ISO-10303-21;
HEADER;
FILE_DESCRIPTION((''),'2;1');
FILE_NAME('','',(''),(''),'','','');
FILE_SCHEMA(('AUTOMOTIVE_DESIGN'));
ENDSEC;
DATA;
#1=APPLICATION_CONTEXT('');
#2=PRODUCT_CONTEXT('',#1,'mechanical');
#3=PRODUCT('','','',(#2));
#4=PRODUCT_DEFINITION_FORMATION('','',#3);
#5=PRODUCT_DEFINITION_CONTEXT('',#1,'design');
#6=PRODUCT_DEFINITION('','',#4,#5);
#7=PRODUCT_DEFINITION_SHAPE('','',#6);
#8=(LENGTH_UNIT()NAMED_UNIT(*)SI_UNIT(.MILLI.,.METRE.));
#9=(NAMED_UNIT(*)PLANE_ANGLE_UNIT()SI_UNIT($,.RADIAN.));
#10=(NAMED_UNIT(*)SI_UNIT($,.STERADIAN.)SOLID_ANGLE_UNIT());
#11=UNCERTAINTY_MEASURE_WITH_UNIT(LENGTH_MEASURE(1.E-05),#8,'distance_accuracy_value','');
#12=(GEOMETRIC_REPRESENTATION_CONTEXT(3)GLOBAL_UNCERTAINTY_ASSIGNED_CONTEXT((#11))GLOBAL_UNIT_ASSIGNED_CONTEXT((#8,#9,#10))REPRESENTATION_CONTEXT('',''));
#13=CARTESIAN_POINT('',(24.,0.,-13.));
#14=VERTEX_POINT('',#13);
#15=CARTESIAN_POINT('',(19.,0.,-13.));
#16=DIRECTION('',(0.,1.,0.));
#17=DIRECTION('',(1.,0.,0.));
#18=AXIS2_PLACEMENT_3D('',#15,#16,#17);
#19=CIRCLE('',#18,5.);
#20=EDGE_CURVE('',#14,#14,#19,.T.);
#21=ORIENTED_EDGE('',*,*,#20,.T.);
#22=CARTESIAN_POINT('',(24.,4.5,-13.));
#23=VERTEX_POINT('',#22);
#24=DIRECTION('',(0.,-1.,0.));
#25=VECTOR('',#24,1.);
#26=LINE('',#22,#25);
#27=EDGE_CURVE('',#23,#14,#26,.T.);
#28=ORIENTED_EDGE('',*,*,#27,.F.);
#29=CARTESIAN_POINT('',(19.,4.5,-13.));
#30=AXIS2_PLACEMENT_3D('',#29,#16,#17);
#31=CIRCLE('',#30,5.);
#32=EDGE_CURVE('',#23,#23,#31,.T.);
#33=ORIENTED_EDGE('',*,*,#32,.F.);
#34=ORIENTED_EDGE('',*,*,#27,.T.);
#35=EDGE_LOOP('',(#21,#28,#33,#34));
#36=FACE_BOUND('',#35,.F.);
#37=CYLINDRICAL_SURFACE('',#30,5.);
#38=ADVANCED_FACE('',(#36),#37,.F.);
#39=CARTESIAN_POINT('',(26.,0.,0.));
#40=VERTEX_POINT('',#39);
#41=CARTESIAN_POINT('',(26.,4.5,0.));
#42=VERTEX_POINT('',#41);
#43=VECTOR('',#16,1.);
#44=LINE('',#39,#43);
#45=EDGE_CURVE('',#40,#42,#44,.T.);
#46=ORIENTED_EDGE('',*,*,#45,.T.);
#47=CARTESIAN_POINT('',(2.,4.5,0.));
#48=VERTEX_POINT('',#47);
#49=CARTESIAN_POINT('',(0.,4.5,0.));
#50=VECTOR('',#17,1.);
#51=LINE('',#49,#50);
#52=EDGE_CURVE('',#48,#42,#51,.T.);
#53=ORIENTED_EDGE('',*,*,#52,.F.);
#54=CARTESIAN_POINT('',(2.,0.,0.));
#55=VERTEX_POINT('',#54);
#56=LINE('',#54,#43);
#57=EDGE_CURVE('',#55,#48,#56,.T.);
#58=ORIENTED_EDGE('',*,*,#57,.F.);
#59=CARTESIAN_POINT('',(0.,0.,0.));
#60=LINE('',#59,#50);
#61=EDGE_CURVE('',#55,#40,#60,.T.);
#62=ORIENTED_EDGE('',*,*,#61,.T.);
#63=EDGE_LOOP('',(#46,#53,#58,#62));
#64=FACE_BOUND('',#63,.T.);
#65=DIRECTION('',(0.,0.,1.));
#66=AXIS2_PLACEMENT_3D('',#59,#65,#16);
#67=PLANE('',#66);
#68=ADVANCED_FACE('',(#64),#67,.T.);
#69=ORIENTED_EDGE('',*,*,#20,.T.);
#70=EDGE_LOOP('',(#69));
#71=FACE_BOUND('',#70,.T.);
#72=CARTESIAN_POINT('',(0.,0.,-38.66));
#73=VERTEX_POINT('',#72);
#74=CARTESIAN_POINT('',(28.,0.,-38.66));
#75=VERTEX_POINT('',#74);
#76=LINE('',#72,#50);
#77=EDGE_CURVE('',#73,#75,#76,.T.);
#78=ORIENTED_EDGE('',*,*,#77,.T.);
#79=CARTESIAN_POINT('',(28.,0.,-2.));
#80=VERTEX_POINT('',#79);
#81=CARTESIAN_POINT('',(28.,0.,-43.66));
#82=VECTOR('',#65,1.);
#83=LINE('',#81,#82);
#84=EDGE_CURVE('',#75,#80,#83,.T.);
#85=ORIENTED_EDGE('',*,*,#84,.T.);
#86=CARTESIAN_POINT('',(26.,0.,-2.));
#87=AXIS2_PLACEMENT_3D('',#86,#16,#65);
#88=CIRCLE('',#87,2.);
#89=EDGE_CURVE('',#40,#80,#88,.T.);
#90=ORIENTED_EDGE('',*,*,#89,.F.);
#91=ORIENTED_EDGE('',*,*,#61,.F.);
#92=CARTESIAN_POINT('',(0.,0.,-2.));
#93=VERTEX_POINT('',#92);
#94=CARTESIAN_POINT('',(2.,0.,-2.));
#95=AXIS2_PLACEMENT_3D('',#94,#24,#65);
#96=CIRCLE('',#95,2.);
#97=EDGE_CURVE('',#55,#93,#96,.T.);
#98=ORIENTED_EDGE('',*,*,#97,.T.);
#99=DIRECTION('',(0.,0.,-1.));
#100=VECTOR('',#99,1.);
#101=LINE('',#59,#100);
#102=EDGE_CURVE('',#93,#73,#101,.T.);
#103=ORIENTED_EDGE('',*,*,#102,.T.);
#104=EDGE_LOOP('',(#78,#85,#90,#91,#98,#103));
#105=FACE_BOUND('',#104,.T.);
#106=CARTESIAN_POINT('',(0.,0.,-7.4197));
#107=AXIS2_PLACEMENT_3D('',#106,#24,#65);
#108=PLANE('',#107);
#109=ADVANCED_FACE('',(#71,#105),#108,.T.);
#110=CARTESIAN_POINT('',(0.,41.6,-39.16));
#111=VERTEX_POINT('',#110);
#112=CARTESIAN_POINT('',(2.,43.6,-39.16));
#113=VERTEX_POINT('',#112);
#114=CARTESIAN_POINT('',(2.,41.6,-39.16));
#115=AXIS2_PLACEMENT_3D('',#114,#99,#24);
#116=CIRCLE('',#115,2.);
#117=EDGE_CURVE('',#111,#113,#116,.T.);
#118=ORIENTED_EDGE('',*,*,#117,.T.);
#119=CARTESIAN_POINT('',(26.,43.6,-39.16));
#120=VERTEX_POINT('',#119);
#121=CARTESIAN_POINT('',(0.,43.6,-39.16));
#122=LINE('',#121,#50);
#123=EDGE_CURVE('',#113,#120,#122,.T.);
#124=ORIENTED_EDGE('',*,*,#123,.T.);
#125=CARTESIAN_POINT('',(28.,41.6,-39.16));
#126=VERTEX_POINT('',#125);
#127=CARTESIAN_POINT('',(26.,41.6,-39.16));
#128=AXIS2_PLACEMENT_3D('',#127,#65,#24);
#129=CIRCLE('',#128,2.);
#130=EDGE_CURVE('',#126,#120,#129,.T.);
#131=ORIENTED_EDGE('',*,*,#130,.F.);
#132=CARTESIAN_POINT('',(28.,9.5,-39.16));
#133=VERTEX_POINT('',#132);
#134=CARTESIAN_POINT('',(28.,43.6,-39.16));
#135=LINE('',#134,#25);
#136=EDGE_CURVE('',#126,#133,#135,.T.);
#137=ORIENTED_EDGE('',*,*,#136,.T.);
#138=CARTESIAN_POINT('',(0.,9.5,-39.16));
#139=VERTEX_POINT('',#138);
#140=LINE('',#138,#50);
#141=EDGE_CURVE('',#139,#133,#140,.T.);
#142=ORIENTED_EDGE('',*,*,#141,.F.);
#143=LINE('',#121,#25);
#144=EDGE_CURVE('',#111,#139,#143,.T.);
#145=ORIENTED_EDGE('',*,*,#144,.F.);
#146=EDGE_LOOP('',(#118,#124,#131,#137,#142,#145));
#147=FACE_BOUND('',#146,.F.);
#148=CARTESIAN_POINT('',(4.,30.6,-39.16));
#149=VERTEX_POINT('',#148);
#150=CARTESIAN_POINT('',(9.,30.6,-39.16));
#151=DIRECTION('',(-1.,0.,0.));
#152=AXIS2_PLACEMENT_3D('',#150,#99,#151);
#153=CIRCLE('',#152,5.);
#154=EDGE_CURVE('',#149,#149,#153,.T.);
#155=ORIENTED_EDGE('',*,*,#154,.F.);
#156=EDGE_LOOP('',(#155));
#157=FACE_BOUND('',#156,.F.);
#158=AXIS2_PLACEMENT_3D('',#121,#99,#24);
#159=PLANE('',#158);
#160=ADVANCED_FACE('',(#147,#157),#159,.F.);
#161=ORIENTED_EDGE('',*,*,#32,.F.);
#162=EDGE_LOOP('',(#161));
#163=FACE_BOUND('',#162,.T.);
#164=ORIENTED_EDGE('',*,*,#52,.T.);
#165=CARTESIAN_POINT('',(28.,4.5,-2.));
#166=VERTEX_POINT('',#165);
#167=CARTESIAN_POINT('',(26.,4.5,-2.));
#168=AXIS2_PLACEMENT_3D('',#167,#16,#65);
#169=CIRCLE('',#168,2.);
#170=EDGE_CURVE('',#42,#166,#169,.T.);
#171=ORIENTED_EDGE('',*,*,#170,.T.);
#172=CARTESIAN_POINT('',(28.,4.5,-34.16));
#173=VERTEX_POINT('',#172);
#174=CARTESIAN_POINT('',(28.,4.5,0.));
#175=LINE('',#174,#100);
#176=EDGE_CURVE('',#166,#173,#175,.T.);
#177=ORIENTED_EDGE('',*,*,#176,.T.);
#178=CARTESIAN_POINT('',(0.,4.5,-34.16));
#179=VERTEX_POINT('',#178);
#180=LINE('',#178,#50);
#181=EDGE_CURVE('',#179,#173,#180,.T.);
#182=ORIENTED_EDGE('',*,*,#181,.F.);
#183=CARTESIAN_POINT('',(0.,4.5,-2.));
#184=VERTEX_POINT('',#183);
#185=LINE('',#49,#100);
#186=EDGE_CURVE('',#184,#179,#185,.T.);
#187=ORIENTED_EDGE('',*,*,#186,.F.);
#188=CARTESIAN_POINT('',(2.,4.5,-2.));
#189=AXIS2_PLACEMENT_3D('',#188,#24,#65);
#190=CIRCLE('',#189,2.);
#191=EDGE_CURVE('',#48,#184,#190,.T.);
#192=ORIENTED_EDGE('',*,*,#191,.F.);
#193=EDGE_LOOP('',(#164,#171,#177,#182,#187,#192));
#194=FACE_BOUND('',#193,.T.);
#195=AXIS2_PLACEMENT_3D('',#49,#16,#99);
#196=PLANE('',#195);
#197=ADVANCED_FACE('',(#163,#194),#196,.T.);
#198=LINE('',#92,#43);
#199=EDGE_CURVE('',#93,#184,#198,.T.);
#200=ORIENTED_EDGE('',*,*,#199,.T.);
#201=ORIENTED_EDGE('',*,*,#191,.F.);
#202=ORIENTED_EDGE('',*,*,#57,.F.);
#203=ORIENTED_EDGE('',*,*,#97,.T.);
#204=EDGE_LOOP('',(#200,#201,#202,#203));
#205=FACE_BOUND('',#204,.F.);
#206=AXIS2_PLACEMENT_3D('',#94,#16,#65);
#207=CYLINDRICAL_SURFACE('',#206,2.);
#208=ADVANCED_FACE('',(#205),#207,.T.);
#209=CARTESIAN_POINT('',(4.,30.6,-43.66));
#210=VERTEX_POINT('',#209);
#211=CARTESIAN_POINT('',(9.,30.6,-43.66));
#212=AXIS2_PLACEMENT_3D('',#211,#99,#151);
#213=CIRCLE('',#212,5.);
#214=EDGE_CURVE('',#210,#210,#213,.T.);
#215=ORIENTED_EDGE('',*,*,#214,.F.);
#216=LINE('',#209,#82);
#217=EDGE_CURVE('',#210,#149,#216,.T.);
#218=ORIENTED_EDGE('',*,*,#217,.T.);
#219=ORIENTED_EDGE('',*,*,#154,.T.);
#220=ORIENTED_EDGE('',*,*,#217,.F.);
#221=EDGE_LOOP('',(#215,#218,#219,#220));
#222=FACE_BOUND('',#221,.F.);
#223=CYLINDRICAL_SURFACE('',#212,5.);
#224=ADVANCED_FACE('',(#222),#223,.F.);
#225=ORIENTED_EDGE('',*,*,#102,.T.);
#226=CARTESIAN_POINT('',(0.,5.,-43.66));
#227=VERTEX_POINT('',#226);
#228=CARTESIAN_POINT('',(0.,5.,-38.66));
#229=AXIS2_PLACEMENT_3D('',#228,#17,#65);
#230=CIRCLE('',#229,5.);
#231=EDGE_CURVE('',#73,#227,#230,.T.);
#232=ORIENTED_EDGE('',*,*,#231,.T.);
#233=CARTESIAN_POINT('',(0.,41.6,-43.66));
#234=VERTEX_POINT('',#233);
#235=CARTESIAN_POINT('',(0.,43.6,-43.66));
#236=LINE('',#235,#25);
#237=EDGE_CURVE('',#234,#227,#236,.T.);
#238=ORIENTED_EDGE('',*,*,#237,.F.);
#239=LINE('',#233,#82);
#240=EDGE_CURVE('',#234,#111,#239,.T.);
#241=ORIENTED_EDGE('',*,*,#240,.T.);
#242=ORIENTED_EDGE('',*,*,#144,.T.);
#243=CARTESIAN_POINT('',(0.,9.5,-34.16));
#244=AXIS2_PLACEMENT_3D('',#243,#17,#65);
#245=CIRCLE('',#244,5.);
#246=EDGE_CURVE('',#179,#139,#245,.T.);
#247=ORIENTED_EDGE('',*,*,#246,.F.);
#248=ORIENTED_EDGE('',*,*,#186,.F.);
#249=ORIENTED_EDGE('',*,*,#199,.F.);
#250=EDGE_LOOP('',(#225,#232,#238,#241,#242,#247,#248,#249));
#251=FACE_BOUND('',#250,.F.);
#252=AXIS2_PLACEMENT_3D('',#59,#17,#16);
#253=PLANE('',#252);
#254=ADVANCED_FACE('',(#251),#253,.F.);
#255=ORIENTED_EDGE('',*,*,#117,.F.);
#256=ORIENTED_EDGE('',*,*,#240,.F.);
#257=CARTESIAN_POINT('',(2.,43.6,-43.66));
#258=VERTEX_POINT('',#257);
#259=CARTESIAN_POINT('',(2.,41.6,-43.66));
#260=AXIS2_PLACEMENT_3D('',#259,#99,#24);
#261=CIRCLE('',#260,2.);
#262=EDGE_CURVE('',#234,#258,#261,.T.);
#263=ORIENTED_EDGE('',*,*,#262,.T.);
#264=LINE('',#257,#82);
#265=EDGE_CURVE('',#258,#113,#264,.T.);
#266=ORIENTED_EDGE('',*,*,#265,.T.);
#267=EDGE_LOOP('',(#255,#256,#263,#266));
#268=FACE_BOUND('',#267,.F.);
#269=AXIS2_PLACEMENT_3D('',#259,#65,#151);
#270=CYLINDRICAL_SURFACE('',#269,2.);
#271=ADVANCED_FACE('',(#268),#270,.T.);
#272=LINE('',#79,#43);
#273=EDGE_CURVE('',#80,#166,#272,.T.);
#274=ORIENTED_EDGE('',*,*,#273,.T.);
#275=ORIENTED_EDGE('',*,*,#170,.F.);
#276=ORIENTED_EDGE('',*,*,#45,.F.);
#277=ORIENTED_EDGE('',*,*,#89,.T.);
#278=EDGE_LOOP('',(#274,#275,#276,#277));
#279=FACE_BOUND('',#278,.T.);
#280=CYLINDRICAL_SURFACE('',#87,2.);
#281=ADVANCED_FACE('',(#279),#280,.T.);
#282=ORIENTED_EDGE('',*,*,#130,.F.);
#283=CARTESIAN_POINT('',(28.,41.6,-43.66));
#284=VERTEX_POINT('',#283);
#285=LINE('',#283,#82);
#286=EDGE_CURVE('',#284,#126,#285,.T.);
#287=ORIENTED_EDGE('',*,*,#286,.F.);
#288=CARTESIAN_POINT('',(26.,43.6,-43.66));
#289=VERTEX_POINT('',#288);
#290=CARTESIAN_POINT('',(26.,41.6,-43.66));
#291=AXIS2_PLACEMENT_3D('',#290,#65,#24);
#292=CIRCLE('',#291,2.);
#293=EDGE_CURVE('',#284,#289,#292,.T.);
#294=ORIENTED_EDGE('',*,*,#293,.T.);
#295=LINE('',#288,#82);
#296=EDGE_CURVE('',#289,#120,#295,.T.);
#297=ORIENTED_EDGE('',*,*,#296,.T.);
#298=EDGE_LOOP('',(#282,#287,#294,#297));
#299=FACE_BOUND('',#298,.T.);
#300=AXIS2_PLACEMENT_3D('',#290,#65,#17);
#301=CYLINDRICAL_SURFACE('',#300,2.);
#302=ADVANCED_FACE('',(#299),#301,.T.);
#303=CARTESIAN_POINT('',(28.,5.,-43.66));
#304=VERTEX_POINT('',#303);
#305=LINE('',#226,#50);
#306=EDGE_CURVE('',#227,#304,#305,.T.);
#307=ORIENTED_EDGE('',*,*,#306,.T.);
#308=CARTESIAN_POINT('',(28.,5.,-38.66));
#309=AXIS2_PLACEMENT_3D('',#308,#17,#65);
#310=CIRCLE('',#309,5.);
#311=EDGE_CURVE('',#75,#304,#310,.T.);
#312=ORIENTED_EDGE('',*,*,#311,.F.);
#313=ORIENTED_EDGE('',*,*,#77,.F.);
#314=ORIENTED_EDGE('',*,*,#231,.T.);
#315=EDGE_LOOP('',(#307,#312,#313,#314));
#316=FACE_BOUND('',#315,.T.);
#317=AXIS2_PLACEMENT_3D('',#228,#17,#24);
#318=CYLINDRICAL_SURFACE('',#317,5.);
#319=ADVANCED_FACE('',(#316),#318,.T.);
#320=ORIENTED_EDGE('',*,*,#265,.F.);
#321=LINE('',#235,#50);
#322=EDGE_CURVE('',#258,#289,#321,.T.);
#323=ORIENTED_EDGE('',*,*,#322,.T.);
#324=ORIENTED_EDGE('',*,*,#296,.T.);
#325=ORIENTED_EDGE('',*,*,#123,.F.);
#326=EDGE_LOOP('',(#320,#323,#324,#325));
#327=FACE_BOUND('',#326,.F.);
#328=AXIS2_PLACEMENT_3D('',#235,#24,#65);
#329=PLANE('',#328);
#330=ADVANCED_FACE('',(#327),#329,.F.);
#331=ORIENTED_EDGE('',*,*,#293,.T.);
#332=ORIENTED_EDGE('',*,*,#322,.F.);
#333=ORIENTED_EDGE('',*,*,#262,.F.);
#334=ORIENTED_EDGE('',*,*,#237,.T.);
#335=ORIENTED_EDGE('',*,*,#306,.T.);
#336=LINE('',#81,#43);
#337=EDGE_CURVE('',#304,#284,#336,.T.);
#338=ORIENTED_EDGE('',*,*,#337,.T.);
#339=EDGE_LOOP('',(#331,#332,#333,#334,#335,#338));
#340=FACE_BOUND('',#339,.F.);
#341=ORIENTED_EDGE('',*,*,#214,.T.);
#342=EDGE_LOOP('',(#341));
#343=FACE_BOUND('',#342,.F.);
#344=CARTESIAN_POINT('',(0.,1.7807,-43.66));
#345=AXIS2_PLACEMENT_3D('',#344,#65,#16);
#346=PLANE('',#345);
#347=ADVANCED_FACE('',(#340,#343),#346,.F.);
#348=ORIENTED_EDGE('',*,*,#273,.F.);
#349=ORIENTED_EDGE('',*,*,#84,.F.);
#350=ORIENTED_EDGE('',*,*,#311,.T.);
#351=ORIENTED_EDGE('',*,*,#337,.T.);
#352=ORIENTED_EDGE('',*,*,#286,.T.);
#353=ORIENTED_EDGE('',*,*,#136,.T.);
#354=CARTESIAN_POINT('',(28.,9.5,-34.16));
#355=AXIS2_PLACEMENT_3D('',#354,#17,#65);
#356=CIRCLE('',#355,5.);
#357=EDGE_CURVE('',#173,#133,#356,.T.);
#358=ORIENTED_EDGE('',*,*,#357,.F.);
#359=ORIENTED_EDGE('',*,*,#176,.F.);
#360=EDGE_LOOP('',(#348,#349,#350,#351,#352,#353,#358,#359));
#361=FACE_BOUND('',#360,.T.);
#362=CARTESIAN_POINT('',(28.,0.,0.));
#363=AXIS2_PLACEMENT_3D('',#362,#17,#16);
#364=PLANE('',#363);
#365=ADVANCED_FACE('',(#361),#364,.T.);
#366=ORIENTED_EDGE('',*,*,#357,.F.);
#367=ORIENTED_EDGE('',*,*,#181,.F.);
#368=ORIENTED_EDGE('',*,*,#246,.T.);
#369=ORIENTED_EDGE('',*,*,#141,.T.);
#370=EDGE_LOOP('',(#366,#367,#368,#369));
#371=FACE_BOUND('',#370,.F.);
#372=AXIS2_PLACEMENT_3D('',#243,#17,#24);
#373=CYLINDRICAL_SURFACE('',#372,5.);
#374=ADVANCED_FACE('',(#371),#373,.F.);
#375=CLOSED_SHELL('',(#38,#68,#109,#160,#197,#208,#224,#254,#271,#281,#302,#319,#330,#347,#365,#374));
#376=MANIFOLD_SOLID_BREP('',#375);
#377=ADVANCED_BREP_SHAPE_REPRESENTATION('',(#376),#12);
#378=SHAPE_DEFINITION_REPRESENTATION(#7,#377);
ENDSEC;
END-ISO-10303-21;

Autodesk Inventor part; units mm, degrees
ref_plane "YZ Plane" through (0, 0, 0) normal (1, 0, 0) x (0, 1, 0)
ref_plane "XZ Plane" through (0, 0, 0) normal (0, 1, 0) x (-1, 0, 0)
ref_plane "XY Plane" through (0, 0, 0) normal (0, 0, 1) x (1, 0, 0)
sketch "Sketch1" plane through (0, 0, 0) normal (1, 0, 0) x (0, 1, 0)
  line L0 (0, 0) -> (4.5, 0)
  line L1 (4.5, 0) -> (4.5, -39.16)
  line L2 (1.7807, -43.66) -> (0, -43.66)
  line L3 (0, -43.66) -> (0, 0)
  line L4 (0, -43.66) -> (43.6, -43.66)
  line L5 (43.6, -43.66) -> (43.6, -39.16)
  line L6 (43.6, -39.16) -> (4.5, -39.16)
  line L7 (0, -7.4197) -> (0, -43.66)
  dimension "d0" = 43.6
  dimension "d1" = 43.66
  dimension "d2" = 4.5
  dimension "d3" = 4.5
extrude "Extrusion1" add sketch "Sketch1" along normal blind 28
sketch "Sketch2" plane through (0, 4.5, 0) normal (0, 1, 0) x (1, 0, 0)
  circle A0 centre (19, 13) radius 5
  line L0 (28, 39.16) -> (28, 0) projected
  line L1 (0, 0) -> (28, 0) projected
  dimension "d6" = 10
  dimension "d7" = 9
  dimension "d8" = 13
sketch "Sketch3" plane through (0, 0, -43.66) normal (0, 0, -1) x (-1, 0, 0)
  circle A0 centre (-9, 30.6) radius 5
  line L0 (0, 0) -> (0, 43.6) projected
  line L1 (0, 43.6) -> (-28, 43.6) projected
  dimension "d9" = 9
  dimension "d10" = 13
  dimension "d11" = 10
extrude "Extrusion2" cut sketch "Sketch3" against normal up to next
extrude "Extrusion3" cut sketch "Sketch2" against normal up to next
fillet "Fillet1" radius 2 4 edges at (0, 43.6, -41.41) (28, 43.6, -41.41) (0, 2.25, 0) (28, 2.25, 0)
fillet "Fillet2" radius 5 2 edges at (14, 0, -43.66) (14, 4.5, -39.16)
properties part number "shin_L_bracket"
